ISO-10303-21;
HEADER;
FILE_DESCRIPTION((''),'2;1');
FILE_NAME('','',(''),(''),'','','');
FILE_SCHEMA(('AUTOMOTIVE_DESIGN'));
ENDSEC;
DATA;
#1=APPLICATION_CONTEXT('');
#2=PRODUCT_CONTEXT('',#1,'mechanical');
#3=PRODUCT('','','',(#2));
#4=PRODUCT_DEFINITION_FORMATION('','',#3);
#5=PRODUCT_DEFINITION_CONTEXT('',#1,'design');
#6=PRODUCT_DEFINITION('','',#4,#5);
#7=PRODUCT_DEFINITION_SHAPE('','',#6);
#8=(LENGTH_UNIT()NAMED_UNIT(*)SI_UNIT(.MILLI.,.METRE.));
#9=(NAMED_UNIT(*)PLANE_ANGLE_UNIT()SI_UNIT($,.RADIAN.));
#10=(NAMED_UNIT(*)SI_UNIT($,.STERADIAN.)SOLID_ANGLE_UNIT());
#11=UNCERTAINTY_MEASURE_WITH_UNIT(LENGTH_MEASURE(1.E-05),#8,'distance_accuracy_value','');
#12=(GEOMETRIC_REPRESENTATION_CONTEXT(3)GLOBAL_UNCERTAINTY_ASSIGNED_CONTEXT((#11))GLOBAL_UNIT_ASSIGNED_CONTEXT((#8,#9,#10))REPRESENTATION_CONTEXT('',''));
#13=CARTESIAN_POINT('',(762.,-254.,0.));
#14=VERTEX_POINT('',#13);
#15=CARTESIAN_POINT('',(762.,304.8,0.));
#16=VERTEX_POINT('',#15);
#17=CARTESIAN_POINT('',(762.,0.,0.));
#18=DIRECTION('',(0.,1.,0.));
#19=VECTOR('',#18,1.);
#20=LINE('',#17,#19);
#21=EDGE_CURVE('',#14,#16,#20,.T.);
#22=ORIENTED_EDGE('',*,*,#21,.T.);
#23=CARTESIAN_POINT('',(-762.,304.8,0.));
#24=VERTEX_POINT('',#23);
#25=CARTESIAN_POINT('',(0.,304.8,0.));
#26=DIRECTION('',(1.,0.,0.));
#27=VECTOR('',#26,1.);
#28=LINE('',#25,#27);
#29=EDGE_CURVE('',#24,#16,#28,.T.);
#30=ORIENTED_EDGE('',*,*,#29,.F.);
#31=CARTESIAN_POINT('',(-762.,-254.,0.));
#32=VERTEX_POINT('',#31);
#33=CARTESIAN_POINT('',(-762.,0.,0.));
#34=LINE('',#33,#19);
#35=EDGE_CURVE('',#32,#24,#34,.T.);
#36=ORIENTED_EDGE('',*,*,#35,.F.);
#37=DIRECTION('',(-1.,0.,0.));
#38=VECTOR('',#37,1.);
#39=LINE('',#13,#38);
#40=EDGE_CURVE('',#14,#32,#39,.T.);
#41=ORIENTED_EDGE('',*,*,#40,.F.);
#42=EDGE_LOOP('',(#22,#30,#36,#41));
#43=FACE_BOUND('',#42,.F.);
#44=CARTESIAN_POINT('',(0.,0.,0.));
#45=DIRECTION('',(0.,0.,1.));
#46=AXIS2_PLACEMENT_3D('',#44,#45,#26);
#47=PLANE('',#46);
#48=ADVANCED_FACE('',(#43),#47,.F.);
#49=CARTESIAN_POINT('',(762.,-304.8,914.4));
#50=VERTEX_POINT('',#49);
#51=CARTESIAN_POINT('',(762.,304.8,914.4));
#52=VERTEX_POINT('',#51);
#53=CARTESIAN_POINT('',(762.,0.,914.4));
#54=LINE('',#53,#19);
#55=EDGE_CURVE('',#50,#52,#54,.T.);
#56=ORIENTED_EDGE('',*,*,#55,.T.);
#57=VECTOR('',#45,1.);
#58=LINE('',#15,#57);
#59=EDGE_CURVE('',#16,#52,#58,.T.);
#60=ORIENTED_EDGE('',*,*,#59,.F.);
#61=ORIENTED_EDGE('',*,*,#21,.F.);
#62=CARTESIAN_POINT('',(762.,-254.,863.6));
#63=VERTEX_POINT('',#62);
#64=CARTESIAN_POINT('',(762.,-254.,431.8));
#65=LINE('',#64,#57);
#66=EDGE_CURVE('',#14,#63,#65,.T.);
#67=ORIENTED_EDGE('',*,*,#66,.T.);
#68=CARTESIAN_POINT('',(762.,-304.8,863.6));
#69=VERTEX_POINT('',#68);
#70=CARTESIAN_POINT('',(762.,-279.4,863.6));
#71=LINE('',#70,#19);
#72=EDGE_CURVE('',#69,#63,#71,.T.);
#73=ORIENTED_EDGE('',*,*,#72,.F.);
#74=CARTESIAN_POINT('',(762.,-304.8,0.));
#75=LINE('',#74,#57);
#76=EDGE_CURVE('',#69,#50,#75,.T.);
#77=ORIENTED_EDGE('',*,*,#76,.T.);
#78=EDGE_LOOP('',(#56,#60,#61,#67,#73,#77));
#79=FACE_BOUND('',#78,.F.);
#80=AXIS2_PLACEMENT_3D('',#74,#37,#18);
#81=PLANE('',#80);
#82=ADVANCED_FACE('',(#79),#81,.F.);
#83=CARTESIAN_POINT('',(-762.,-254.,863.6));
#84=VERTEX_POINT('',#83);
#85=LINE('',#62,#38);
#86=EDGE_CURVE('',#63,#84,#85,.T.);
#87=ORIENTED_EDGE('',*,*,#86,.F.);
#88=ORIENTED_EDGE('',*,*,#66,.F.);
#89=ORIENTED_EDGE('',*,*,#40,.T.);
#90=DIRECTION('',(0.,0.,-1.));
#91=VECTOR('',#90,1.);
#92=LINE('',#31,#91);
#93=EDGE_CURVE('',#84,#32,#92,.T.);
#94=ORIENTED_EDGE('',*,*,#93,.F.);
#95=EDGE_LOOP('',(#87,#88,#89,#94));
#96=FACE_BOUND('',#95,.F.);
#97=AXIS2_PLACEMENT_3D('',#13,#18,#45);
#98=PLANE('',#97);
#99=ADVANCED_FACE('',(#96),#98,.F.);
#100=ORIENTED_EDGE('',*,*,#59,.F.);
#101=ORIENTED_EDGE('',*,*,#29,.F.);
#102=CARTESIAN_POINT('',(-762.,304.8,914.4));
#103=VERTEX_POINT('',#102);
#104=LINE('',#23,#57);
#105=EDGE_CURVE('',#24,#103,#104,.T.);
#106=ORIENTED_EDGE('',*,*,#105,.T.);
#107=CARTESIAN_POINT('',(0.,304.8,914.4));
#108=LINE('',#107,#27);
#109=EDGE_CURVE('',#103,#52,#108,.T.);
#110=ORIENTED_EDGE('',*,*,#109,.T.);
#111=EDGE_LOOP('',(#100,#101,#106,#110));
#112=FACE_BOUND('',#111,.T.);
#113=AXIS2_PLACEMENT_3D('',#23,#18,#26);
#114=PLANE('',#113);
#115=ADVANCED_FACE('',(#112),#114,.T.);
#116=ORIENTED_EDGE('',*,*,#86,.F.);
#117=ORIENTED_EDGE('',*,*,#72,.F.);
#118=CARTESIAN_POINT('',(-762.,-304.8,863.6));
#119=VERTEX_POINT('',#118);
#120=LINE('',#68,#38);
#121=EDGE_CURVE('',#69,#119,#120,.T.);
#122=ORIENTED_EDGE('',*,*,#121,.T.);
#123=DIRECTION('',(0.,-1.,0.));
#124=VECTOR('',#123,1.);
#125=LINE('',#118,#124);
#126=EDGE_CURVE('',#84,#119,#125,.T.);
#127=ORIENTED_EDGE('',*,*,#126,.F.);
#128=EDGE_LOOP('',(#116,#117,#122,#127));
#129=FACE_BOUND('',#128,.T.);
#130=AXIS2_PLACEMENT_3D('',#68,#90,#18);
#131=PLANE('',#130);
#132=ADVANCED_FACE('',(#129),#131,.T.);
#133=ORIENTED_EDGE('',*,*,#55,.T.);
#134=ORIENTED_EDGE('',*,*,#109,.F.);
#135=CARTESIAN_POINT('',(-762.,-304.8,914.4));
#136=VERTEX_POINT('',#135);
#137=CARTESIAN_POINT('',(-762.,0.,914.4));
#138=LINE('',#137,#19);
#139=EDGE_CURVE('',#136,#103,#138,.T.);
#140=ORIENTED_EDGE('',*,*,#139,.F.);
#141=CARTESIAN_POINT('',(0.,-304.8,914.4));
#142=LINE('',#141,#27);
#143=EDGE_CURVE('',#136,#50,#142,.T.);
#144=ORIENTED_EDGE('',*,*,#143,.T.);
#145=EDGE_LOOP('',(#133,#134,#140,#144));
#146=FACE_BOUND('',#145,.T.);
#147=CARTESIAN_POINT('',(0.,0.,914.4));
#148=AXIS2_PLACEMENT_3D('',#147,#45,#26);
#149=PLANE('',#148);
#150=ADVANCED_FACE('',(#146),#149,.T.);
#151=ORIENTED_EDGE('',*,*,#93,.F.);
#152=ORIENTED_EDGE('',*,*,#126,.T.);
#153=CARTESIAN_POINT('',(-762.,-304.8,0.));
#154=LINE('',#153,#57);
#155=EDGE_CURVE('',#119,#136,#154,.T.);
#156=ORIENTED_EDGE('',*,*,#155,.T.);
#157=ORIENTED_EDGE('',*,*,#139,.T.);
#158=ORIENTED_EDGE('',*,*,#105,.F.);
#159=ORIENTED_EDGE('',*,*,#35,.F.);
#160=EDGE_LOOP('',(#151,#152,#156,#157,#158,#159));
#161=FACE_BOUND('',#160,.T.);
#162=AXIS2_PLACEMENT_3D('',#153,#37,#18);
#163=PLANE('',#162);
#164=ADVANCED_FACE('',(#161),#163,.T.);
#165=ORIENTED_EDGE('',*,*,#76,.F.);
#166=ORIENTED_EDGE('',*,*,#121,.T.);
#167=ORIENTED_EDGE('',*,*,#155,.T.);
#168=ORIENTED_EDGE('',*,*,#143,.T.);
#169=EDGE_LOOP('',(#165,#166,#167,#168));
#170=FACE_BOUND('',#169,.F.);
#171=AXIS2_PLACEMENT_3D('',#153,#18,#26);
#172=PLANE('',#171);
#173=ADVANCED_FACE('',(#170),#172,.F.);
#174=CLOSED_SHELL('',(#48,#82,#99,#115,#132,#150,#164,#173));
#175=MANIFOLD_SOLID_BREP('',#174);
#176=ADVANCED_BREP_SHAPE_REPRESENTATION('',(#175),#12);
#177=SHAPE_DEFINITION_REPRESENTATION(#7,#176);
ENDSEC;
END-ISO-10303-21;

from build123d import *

# Parameters (mm, degrees)
F0_W     = 1524
F0_H     = 609.6
F1_DEPTH = 914.4
F2_W     = 50.8
F2_H     = 863.6
F3_DEPTH = 3048


with BuildPart() as f1:
    # F0 (on Top) → F1 (new body)
    with BuildSketch(Plane.XY):
        Rectangle(F0_W, F0_H)
    extrude(amount=F1_DEPTH)

    # F2 (on face) → F3 (cut)
    with BuildSketch(Plane.YZ.offset(762)):
        with Locations((-279.4, 431.8)):
            Rectangle(F2_W, F2_H)
    extrude(amount=-F3_DEPTH, mode=Mode.SUBTRACT)


solid = f1.part
